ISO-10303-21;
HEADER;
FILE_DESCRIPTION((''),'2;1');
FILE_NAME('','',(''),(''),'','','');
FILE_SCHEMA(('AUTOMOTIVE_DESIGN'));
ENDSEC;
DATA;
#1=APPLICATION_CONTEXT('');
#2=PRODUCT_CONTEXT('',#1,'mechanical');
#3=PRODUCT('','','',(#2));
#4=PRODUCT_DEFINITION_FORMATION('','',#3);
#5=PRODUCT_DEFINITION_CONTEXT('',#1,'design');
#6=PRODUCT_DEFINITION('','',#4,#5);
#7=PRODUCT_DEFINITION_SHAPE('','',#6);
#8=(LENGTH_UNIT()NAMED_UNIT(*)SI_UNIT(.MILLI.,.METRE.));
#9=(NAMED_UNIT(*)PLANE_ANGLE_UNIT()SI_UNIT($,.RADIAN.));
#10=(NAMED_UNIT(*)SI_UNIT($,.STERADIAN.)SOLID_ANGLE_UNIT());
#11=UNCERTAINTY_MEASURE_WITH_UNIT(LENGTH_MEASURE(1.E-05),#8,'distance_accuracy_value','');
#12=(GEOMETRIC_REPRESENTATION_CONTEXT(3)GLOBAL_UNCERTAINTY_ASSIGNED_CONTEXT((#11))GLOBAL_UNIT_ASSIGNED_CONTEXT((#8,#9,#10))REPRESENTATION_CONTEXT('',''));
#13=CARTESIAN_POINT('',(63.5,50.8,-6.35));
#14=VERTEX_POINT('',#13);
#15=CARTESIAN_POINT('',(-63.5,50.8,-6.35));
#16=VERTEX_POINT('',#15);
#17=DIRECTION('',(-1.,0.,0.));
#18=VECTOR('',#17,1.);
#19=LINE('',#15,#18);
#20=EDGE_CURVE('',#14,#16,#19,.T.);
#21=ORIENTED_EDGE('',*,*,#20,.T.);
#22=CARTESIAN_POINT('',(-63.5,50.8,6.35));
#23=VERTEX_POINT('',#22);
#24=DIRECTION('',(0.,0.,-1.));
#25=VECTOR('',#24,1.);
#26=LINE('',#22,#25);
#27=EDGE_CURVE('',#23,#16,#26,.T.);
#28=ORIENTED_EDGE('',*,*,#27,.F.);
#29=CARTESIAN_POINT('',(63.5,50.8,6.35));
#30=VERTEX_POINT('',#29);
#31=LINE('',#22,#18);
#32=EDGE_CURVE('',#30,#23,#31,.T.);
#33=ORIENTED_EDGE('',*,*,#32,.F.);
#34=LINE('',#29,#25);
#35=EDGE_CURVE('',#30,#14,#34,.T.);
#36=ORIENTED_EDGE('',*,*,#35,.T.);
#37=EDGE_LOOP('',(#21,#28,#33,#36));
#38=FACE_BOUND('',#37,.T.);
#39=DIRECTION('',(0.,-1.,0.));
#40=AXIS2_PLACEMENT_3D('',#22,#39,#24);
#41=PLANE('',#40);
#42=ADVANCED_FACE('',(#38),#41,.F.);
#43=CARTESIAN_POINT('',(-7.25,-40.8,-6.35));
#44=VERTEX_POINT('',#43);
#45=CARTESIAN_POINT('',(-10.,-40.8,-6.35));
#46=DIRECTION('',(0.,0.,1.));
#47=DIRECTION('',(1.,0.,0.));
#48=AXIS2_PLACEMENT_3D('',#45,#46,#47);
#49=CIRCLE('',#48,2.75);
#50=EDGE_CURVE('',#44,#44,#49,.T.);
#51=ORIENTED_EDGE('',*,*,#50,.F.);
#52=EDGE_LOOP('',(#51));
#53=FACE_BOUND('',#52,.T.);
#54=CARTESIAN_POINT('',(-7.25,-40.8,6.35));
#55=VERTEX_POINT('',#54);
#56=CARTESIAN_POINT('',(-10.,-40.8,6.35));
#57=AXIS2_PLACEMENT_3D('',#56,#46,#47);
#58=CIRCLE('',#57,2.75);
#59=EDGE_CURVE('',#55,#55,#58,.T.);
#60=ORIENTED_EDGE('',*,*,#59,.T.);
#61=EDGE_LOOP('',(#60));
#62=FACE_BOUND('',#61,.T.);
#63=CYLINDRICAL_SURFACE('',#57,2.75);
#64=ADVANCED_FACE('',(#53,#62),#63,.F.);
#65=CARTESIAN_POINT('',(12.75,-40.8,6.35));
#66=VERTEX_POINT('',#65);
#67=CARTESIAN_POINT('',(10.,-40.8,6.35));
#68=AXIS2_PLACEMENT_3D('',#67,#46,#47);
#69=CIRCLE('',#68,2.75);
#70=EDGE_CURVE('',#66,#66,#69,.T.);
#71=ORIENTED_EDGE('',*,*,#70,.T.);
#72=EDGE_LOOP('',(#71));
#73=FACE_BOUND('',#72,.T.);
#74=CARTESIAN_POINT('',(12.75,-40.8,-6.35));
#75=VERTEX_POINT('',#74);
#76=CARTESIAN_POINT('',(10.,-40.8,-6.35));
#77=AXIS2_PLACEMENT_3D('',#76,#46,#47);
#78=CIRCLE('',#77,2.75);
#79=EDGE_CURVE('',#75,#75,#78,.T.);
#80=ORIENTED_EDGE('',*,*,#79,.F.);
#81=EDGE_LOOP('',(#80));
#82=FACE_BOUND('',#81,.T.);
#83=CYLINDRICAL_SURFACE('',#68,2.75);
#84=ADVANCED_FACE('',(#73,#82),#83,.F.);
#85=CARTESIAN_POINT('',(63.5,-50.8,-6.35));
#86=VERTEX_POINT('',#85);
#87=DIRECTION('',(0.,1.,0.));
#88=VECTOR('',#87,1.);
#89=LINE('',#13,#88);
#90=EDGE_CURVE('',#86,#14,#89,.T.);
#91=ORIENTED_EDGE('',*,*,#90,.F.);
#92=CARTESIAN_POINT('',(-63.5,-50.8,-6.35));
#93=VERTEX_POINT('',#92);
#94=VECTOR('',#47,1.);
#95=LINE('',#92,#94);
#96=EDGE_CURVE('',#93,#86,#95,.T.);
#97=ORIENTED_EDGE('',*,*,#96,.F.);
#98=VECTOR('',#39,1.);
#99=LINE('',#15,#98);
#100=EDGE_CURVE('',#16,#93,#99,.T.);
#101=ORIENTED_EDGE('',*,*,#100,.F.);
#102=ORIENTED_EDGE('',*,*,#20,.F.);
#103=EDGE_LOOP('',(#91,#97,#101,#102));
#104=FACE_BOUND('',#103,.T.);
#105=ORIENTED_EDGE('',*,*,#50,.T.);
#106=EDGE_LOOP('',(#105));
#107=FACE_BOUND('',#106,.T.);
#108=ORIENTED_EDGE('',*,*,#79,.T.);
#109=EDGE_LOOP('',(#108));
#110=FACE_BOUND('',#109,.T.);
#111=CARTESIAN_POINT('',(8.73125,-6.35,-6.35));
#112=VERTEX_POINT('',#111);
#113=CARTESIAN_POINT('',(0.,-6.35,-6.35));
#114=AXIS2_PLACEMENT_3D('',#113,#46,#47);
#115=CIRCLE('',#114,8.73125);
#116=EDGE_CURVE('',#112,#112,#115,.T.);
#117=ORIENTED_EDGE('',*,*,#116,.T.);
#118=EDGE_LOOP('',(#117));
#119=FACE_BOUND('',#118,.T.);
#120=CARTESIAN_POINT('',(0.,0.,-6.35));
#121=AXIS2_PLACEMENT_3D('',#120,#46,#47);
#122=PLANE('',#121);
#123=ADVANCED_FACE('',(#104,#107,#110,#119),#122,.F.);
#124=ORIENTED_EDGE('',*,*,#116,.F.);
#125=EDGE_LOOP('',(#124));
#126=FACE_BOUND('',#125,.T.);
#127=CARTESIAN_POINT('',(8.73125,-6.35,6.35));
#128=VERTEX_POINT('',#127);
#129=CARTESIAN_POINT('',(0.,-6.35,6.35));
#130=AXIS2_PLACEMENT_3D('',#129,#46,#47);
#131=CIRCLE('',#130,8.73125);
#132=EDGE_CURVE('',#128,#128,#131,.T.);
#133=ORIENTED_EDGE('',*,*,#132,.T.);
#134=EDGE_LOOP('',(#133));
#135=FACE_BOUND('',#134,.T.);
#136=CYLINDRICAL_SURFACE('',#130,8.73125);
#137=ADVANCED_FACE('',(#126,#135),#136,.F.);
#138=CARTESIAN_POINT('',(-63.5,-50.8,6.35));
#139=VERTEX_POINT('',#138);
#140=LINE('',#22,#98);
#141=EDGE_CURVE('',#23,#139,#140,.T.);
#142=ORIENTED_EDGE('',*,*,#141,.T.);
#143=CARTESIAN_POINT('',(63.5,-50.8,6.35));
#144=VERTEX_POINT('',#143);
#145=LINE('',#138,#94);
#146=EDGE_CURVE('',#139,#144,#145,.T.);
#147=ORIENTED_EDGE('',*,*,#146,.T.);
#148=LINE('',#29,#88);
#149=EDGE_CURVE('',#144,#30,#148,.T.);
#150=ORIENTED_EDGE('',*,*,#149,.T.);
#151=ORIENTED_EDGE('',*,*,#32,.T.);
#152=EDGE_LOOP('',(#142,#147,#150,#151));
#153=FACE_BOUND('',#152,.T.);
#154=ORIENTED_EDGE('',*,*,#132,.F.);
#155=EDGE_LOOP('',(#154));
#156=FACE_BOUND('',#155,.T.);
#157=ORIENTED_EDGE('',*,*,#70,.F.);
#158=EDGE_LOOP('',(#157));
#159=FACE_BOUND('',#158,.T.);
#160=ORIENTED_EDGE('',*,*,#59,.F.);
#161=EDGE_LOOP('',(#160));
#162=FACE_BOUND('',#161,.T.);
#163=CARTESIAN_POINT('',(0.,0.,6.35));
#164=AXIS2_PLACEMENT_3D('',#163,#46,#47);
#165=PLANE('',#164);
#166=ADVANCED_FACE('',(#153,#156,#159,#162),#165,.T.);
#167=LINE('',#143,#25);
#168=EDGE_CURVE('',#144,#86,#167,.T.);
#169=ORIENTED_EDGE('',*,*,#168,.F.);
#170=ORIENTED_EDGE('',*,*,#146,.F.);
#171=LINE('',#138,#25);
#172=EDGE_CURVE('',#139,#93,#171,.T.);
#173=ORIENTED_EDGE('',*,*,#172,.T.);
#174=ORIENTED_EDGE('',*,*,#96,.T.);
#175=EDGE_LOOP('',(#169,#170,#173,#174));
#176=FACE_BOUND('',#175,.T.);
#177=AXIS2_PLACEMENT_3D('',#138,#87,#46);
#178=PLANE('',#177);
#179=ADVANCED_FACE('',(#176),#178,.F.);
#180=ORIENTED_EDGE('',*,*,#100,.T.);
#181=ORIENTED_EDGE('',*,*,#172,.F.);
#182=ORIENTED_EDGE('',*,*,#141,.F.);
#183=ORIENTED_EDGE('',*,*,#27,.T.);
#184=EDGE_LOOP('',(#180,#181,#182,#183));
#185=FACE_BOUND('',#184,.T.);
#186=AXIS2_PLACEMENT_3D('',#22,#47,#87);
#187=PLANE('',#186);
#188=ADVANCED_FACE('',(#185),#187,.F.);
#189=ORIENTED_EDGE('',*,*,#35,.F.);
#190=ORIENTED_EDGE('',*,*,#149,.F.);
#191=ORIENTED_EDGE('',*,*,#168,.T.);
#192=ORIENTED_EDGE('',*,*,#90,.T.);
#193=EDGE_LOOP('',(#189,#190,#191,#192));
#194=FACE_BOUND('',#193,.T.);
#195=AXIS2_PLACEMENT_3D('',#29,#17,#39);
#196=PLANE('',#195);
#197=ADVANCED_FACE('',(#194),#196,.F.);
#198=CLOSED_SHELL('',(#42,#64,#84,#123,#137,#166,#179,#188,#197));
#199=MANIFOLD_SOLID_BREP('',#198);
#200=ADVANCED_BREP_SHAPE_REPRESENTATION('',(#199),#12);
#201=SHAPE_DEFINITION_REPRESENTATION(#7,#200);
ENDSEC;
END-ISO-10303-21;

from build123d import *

# Parameters (mm, degrees)
SKETCH1_W            = 127
SKETCH1_H            = 101.6
BOSS_EXTRUDE1_DEPTH  = 6.35
HOLE2_D              = 17.4625
M4_CLEARANCE_HOLE1_D = 5.5


with BuildPart() as part:
    # Sketch1 → Boss-Extrude1 (new, symmetric)
    with BuildSketch(Plane.XY):
        Rectangle(SKETCH1_W, SKETCH1_H)
    extrude(amount=BOSS_EXTRUDE1_DEPTH, both=True)

    # Hole2 (through all)
    with Locations(Plane.XY.offset(6.35)):
        with Locations((0, -6.35)):
            Hole(HOLE2_D / 2)

    # M4 Clearance Hole1 (through all)
    with Locations(Plane.XY.offset(6.35)):
        with Locations((-10, -40.8), (10, -40.8)):
            Hole(M4_CLEARANCE_HOLE1_D / 2)


solid = part.part
